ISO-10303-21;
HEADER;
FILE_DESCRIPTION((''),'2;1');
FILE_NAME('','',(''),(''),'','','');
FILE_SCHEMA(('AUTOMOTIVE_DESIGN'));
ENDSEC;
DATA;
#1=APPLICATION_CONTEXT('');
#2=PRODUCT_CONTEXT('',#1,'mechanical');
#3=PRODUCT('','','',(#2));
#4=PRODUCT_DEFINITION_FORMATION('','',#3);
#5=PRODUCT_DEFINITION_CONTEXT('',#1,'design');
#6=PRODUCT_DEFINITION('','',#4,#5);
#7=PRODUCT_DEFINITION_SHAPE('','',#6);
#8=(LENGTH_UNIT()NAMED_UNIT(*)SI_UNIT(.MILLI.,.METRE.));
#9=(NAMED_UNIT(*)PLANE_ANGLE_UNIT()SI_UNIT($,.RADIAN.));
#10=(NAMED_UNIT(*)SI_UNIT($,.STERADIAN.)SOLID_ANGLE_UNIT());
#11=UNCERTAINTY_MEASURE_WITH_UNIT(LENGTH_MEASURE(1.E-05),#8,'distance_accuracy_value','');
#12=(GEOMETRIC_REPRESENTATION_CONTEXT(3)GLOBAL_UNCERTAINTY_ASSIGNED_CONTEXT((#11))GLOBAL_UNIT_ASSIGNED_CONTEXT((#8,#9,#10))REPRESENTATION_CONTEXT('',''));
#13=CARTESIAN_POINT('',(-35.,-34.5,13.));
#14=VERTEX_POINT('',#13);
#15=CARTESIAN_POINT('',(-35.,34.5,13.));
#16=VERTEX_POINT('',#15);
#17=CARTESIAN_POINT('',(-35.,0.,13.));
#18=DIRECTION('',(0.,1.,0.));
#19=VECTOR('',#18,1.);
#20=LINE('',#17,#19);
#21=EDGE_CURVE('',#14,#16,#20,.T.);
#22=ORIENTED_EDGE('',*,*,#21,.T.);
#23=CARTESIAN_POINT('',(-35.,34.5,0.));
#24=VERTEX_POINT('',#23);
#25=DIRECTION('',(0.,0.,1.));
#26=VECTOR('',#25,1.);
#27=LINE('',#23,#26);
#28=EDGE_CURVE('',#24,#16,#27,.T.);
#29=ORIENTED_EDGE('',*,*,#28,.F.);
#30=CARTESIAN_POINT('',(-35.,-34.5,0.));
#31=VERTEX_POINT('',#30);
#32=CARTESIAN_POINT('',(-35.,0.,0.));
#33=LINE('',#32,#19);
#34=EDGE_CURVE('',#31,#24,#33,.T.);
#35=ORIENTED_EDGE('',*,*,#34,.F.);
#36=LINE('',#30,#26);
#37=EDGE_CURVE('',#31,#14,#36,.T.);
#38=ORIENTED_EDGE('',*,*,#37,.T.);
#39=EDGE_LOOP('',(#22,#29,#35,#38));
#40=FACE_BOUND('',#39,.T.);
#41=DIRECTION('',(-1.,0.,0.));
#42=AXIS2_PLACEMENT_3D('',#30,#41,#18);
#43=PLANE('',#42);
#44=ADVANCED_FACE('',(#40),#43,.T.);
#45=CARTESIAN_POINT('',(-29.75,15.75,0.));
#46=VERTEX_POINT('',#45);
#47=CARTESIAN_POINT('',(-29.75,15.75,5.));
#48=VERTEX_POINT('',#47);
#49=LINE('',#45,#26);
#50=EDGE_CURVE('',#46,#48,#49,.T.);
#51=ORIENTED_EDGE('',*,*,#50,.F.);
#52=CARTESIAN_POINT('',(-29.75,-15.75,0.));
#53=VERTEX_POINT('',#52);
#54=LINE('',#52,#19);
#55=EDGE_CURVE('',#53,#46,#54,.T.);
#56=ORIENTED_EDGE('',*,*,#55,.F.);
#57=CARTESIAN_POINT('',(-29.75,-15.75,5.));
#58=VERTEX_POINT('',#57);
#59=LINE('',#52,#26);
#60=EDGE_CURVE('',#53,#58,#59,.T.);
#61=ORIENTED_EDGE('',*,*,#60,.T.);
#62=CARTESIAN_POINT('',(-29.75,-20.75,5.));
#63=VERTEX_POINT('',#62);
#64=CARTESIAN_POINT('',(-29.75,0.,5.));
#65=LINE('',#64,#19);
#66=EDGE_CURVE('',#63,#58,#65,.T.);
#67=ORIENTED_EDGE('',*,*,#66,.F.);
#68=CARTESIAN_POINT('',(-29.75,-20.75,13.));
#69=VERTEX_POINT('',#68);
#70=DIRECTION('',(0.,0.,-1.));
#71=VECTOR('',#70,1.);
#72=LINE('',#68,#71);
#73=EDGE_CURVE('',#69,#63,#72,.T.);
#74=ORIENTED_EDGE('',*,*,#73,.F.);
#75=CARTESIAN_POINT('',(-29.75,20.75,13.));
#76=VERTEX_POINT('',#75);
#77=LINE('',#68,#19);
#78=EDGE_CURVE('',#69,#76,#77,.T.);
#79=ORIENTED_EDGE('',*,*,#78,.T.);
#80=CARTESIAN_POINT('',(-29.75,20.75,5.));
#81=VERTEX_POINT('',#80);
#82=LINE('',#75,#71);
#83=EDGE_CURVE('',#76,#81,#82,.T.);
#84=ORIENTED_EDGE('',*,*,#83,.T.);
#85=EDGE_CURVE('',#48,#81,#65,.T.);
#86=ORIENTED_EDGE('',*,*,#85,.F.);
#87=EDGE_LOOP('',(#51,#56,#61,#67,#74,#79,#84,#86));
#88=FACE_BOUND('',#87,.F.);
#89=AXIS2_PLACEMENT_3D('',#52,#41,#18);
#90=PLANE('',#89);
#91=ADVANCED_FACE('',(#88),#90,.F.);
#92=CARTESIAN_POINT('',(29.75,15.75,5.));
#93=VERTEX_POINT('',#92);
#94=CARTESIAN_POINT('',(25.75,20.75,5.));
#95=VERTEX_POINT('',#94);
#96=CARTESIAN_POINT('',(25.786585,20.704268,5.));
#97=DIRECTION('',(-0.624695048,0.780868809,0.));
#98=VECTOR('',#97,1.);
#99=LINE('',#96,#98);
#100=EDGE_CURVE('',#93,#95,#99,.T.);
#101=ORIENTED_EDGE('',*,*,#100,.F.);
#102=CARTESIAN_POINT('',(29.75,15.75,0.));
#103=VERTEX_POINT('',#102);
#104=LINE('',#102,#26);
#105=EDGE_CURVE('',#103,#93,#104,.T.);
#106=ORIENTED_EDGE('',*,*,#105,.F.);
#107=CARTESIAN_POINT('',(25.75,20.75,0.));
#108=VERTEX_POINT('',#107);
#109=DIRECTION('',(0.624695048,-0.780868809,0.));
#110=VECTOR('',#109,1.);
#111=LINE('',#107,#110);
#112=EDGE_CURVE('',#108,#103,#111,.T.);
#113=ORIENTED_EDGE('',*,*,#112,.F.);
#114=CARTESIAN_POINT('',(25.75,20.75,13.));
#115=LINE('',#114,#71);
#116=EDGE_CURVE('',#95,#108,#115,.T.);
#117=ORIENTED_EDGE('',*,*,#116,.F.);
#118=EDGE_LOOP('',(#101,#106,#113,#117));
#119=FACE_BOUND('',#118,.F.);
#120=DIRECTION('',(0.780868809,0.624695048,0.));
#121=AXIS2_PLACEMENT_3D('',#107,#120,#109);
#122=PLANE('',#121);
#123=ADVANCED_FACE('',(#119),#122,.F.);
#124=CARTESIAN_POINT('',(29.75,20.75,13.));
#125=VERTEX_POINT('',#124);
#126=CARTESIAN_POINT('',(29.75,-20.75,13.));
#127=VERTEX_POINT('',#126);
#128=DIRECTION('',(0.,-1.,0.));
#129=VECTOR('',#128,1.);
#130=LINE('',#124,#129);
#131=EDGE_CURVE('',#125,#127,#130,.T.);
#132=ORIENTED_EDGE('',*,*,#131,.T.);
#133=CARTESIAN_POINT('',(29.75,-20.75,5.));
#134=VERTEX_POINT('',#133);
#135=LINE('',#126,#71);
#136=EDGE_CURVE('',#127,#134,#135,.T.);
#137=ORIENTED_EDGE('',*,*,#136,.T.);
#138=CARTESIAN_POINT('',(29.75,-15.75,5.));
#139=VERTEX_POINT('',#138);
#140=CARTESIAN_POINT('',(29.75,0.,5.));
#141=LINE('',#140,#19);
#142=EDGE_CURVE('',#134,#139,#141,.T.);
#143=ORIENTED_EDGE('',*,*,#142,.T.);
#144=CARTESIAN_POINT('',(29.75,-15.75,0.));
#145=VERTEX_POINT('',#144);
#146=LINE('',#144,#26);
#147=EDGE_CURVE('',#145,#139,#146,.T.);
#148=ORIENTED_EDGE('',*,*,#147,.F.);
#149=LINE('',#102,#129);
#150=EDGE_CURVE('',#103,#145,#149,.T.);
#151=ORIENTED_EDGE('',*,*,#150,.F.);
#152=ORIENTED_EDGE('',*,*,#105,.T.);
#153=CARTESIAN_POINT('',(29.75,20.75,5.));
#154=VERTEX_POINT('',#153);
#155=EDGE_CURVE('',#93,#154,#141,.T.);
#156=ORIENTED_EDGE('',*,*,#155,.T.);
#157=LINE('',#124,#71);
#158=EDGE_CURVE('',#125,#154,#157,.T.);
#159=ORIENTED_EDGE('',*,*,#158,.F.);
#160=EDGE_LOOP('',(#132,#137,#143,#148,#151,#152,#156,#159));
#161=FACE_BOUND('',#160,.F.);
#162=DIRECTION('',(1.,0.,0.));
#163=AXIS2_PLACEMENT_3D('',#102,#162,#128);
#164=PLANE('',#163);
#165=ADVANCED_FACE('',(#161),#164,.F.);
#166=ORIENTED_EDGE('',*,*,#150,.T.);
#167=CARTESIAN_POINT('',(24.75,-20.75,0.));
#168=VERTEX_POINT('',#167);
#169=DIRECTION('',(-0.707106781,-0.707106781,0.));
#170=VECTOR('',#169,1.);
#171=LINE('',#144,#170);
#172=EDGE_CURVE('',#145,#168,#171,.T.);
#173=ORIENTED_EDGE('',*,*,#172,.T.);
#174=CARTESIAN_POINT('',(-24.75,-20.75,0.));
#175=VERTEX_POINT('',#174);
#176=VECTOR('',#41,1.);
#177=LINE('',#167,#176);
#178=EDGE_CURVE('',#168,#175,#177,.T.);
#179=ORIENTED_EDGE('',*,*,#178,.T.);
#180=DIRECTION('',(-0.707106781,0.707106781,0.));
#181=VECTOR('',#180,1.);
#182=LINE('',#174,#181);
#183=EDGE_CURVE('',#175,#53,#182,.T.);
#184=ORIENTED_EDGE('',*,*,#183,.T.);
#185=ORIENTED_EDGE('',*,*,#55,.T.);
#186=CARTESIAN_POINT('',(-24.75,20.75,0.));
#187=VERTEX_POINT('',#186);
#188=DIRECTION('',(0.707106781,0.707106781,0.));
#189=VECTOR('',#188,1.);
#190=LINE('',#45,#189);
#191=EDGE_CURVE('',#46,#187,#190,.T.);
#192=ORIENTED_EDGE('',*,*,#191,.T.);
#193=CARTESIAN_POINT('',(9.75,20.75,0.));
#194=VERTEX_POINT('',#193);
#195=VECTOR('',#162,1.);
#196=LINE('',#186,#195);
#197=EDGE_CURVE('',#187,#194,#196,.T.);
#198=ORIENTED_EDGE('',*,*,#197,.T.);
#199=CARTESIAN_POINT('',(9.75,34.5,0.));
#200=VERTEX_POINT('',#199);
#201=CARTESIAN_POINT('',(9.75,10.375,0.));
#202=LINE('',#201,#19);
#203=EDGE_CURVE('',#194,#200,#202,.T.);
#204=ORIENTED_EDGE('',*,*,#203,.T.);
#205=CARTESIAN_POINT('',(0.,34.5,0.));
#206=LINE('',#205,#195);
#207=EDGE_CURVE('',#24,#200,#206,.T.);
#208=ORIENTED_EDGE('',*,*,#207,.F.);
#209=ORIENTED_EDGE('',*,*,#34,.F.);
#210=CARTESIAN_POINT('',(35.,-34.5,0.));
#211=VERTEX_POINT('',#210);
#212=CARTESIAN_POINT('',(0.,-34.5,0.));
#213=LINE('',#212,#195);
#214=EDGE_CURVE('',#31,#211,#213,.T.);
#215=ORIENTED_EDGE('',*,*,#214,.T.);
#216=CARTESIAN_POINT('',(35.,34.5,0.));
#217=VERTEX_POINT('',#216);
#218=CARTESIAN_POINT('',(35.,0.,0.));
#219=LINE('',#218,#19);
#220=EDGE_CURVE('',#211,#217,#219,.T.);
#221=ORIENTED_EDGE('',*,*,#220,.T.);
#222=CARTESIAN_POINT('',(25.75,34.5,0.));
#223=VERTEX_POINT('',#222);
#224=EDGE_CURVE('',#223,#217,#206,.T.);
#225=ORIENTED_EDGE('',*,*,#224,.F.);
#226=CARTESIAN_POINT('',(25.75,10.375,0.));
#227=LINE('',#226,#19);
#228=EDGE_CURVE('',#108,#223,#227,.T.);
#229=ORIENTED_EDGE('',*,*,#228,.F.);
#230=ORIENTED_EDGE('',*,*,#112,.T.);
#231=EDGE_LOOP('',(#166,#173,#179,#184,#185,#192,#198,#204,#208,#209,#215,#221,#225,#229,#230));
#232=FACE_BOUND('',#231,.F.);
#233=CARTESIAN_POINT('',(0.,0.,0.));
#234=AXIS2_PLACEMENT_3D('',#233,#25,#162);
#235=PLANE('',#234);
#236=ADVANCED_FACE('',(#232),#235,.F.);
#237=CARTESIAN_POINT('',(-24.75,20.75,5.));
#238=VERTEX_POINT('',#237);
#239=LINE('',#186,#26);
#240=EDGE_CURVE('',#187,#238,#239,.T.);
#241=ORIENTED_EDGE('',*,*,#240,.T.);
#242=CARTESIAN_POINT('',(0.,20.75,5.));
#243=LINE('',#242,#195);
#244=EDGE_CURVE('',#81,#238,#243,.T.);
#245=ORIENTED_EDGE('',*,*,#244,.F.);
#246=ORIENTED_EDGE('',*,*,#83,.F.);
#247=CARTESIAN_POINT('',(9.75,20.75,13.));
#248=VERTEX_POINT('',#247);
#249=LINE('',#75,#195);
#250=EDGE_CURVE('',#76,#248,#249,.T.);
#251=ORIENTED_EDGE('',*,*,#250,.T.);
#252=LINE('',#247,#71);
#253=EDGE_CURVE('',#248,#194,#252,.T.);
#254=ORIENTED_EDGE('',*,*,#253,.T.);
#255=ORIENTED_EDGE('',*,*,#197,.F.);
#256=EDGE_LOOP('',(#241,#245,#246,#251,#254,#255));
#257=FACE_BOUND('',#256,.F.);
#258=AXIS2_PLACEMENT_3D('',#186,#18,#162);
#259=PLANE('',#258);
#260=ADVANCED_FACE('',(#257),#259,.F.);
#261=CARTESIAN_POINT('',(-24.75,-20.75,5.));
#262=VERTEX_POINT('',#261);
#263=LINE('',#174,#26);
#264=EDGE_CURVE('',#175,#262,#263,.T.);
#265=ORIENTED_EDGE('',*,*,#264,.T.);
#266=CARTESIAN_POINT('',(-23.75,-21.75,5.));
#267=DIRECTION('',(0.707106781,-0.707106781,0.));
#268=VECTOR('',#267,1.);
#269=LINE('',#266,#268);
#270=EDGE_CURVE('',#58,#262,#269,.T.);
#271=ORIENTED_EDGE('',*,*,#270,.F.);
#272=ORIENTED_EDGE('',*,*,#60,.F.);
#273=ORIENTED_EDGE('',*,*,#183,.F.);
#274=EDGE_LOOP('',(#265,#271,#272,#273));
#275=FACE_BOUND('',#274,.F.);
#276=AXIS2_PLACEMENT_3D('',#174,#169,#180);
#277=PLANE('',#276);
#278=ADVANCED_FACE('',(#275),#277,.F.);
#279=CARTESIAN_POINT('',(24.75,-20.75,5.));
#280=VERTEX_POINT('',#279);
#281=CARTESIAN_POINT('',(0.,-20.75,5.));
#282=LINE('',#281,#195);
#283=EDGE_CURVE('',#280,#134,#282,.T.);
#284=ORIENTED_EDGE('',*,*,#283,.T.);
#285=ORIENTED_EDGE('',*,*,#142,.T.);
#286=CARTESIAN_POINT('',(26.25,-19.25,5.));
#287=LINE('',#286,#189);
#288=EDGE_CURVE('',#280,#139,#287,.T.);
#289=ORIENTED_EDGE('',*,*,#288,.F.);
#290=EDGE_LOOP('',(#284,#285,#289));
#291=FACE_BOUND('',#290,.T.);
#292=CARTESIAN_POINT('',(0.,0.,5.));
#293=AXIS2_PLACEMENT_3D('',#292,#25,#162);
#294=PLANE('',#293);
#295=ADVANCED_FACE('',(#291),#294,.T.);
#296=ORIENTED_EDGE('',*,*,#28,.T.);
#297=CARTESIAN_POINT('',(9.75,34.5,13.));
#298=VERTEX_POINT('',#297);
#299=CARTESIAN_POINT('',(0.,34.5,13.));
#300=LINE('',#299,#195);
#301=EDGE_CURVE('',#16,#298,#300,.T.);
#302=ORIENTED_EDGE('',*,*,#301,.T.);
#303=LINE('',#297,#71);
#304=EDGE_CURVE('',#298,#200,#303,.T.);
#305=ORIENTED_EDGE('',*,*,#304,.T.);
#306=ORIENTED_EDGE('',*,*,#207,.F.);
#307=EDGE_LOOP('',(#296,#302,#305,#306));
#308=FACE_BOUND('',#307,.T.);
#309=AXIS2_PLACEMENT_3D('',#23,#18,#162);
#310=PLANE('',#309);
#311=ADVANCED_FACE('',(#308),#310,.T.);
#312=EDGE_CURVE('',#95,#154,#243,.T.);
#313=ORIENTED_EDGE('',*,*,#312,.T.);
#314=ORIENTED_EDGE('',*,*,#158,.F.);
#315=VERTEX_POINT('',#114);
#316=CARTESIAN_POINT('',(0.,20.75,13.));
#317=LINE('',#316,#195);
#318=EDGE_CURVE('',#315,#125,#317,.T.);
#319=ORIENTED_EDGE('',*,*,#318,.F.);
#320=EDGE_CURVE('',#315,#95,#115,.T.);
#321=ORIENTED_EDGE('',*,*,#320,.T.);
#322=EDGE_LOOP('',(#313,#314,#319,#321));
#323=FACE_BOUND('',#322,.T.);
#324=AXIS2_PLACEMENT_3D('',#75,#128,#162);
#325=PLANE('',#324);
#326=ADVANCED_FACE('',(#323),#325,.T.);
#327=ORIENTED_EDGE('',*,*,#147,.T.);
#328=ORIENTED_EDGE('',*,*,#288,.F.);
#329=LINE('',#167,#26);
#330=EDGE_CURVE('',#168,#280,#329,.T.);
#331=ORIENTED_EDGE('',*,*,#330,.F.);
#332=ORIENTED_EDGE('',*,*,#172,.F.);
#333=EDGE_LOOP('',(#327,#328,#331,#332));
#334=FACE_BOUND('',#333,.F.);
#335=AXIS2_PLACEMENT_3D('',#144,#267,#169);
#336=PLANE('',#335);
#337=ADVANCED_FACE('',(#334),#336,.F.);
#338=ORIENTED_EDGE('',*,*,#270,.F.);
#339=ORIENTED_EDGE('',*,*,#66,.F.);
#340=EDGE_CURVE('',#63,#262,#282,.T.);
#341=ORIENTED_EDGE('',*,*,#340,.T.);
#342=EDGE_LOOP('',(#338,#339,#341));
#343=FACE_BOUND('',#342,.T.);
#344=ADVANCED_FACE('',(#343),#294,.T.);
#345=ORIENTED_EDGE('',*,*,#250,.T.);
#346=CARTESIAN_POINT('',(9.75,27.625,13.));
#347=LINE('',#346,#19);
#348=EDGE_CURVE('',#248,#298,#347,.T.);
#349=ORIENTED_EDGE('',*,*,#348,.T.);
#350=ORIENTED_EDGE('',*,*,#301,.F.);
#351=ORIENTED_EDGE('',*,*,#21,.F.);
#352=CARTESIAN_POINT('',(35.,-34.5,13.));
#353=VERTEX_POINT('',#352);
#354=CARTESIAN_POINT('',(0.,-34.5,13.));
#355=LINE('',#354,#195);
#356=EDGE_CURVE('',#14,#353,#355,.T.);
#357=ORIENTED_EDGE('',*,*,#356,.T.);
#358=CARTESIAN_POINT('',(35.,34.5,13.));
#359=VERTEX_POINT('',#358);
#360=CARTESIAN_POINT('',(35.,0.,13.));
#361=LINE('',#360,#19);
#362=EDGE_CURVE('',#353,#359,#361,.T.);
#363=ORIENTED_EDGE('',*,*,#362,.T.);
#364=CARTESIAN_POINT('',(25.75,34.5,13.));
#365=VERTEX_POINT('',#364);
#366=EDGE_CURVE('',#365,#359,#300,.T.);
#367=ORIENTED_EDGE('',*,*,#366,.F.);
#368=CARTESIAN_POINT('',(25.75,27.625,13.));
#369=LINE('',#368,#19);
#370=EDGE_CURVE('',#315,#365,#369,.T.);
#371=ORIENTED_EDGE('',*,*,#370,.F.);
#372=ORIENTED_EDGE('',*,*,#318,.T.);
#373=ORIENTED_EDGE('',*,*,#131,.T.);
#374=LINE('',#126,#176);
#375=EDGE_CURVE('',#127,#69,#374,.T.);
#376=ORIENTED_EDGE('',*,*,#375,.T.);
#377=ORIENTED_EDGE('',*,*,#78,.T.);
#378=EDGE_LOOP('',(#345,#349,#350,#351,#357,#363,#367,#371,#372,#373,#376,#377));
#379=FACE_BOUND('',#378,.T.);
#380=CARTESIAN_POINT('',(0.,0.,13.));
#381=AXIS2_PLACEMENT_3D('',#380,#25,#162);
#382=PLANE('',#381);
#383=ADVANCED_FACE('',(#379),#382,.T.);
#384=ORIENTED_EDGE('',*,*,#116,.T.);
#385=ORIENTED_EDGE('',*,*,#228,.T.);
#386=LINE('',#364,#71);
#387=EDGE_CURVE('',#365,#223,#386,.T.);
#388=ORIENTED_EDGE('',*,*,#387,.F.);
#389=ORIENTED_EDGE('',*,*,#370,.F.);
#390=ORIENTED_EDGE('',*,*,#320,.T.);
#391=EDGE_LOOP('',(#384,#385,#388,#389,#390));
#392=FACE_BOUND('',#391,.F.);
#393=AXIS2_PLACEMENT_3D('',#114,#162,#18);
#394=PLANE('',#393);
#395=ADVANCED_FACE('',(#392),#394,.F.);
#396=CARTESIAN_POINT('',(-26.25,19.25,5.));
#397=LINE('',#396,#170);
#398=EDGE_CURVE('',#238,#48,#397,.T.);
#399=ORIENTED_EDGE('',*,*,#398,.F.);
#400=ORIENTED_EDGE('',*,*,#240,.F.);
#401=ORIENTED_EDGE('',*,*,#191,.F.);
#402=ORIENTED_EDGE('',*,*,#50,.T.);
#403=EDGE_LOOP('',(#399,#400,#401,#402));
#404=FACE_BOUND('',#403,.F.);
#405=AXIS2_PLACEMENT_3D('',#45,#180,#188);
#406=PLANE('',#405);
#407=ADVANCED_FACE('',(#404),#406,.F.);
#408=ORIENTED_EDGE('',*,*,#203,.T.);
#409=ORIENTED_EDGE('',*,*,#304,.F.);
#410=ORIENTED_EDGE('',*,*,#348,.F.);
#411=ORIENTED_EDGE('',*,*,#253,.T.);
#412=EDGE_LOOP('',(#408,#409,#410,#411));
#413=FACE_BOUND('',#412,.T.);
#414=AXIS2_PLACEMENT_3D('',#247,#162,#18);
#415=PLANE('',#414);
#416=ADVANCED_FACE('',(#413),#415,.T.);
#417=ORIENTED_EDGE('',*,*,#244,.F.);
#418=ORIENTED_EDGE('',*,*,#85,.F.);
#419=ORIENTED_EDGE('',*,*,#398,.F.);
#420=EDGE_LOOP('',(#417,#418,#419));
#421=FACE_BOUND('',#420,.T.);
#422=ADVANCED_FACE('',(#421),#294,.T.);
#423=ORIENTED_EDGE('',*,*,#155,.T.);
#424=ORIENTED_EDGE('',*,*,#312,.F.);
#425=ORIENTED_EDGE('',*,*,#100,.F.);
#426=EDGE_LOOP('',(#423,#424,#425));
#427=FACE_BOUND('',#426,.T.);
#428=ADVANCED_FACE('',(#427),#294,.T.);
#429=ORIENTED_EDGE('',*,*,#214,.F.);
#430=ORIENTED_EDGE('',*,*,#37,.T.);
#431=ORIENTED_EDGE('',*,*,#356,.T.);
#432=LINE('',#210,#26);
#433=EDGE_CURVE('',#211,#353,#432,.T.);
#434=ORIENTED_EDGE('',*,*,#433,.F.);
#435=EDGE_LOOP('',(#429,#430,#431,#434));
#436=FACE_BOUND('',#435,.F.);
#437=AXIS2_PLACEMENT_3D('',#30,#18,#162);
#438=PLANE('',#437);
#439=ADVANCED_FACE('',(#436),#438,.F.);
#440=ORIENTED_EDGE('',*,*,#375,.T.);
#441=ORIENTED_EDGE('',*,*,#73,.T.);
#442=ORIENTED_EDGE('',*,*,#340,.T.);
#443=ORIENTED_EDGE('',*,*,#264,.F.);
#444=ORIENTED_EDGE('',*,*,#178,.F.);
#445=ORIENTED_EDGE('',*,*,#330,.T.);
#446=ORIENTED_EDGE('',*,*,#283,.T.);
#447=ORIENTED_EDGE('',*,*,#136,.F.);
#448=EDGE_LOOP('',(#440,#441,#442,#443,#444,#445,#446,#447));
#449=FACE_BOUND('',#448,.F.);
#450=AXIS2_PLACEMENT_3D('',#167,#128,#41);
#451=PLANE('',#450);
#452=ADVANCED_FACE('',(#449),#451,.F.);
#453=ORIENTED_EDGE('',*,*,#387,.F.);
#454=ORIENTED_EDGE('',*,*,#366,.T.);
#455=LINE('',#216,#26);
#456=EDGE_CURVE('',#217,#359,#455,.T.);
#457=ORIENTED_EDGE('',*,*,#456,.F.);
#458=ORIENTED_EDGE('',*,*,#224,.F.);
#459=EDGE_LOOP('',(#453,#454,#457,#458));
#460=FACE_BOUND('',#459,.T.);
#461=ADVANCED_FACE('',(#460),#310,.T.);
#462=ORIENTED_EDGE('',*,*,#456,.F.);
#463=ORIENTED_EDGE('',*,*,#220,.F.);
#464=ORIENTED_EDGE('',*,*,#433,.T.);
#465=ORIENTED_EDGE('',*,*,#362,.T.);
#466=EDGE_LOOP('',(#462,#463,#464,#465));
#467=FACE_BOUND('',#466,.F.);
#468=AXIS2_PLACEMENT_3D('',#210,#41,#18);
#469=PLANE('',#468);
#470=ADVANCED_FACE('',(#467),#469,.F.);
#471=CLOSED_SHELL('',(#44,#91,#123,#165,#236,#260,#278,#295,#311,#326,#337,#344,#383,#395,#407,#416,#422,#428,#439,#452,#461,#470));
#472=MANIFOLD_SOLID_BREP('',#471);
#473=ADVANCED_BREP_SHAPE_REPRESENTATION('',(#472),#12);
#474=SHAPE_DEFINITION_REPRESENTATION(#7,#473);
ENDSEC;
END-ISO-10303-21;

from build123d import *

# Parameters (mm, degrees)
F0_W     = 70
F0_H     = 69
F1_DEPTH = 13
F2_W     = 59.5
F2_H     = 41.5
F3_DEPTH = 8
F4_W     = 16
F4_H     = 13.75
F5_DEPTH = 13.001
F7_DEPTH = 13.001


with BuildPart() as f1:
    # F0 (on Top) → F1 (new body)
    with BuildSketch(Plane.XY):
        Rectangle(F0_W, F0_H)
    extrude(amount=F1_DEPTH)

    # F2 (on face) → F3 (cut)
    with BuildSketch(Plane.XY.offset(13)):
        Rectangle(F2_W, F2_H)
    extrude(amount=-F3_DEPTH, mode=Mode.SUBTRACT)

    # F4 (on face) → F5 (cut, through all)
    with BuildSketch(Plane.XY.offset(13)):
        with Locations((17.75, 27.625)):
            Rectangle(F4_W, F4_H)
    extrude(amount=-F5_DEPTH, mode=Mode.SUBTRACT)

    # F6 (on face) → F7 (cut, through all)
    with BuildSketch(Plane(origin=(0, 0, 0), x_dir=(1, 0, 0), z_dir=(0, 0, -1))):
        Polygon((-29.75, 15.75), (-29.75, -15.75), (-24.75, -20.75), (25.75, -20.75), (29.75, -15.75), (29.75, 15.75), (24.75, 20.75), (-24.75, 20.75), align=None)
    extrude(amount=-F7_DEPTH, mode=Mode.SUBTRACT)


solid = f1.part
